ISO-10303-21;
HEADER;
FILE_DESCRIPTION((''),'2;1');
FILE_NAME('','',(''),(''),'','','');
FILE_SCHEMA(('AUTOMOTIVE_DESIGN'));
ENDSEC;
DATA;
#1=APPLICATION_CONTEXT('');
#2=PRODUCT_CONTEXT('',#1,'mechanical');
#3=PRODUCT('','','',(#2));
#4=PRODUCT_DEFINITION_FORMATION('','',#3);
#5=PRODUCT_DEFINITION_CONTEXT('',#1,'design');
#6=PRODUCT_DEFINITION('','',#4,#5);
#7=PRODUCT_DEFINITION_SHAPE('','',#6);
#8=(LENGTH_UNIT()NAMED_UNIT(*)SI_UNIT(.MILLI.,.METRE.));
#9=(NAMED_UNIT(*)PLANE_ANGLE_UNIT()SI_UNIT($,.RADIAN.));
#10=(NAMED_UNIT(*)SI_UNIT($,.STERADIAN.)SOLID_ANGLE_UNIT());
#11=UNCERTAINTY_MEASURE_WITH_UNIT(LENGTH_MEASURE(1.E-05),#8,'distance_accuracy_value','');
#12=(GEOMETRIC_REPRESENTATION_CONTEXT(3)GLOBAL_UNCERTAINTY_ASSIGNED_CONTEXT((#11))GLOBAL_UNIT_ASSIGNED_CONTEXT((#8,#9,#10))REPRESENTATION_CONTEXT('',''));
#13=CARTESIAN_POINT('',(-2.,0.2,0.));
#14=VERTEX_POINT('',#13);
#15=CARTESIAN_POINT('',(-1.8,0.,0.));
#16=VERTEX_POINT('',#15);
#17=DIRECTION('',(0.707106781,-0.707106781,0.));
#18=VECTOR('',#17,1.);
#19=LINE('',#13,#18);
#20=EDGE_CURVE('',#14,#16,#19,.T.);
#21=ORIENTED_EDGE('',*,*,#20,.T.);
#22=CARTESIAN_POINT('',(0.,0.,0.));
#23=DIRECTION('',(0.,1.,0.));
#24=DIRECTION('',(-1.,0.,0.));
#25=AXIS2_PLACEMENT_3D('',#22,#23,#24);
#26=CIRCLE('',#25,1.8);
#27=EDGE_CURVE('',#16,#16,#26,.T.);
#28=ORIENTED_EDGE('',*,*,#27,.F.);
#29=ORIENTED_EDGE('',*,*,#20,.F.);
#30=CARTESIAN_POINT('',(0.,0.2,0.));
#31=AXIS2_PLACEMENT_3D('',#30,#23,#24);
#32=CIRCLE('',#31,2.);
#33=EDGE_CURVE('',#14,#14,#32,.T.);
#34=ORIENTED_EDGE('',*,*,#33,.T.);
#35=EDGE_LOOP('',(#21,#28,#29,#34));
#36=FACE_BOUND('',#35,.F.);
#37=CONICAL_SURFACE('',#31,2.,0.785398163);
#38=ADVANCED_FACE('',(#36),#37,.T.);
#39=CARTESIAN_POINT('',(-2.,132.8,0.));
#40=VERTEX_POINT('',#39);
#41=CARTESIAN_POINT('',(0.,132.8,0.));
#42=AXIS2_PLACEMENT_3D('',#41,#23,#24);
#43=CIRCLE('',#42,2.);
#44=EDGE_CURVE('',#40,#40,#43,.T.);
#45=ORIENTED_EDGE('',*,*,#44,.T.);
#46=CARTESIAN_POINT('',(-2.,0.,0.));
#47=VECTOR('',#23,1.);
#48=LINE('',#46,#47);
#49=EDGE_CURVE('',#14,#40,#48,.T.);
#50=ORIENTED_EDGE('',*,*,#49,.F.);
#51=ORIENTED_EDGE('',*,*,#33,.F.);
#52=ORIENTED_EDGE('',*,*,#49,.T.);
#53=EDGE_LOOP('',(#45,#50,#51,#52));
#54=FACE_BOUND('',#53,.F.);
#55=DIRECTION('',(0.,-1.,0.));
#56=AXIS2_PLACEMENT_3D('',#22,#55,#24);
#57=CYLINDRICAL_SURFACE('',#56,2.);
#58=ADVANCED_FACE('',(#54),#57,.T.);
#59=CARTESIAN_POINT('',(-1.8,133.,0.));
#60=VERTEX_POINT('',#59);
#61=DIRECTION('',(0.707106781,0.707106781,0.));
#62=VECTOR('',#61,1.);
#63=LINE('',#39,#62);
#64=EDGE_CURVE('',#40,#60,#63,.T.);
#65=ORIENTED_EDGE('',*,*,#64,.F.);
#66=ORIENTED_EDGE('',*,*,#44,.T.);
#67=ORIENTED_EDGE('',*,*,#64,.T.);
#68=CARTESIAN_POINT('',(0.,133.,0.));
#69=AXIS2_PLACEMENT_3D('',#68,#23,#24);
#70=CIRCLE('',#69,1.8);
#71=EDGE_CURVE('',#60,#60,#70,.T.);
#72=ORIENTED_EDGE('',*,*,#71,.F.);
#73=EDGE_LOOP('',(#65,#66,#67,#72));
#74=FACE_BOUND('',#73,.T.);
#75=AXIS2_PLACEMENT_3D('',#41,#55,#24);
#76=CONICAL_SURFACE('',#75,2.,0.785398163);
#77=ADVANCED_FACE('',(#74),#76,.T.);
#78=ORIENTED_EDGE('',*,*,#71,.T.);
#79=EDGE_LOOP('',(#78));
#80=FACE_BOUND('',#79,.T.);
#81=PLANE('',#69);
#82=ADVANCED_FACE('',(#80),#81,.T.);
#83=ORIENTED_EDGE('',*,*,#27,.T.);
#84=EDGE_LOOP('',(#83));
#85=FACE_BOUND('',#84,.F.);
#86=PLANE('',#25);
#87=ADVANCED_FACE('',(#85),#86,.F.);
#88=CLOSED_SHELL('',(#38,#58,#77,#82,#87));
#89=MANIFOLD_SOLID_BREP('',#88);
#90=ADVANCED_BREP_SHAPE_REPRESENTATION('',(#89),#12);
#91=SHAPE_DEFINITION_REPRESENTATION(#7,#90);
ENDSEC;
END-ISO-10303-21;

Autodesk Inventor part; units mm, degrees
ref_plane "YZ Plane" through (0, 0, 0) normal (1, 0, 0) x (0, 1, 0)
ref_plane "XZ Plane" through (0, 0, 0) normal (0, 1, 0) x (-1, 0, 0)
ref_plane "XY Plane" through (0, 0, 0) normal (0, 0, 1) x (1, 0, 0)
sketch "Skizze1" plane through (0, 0, 0) normal (0, 1, 0) x (-1, 0, 0)
  circle A0 centre (0, 0) radius 2
  dimension "d0" = 4
extrude "Extrusion1" add sketch "Skizze1" along normal blind 133
thread "Gewinde1" size "M4x0.7" class "6g" standard "ISO Metric profile" full length
chamfer "Fasen1" distance 0.2 angle 45 2 edges at (2, 0, 0) (2, 133, 0)
properties part number "Gewindestange"
